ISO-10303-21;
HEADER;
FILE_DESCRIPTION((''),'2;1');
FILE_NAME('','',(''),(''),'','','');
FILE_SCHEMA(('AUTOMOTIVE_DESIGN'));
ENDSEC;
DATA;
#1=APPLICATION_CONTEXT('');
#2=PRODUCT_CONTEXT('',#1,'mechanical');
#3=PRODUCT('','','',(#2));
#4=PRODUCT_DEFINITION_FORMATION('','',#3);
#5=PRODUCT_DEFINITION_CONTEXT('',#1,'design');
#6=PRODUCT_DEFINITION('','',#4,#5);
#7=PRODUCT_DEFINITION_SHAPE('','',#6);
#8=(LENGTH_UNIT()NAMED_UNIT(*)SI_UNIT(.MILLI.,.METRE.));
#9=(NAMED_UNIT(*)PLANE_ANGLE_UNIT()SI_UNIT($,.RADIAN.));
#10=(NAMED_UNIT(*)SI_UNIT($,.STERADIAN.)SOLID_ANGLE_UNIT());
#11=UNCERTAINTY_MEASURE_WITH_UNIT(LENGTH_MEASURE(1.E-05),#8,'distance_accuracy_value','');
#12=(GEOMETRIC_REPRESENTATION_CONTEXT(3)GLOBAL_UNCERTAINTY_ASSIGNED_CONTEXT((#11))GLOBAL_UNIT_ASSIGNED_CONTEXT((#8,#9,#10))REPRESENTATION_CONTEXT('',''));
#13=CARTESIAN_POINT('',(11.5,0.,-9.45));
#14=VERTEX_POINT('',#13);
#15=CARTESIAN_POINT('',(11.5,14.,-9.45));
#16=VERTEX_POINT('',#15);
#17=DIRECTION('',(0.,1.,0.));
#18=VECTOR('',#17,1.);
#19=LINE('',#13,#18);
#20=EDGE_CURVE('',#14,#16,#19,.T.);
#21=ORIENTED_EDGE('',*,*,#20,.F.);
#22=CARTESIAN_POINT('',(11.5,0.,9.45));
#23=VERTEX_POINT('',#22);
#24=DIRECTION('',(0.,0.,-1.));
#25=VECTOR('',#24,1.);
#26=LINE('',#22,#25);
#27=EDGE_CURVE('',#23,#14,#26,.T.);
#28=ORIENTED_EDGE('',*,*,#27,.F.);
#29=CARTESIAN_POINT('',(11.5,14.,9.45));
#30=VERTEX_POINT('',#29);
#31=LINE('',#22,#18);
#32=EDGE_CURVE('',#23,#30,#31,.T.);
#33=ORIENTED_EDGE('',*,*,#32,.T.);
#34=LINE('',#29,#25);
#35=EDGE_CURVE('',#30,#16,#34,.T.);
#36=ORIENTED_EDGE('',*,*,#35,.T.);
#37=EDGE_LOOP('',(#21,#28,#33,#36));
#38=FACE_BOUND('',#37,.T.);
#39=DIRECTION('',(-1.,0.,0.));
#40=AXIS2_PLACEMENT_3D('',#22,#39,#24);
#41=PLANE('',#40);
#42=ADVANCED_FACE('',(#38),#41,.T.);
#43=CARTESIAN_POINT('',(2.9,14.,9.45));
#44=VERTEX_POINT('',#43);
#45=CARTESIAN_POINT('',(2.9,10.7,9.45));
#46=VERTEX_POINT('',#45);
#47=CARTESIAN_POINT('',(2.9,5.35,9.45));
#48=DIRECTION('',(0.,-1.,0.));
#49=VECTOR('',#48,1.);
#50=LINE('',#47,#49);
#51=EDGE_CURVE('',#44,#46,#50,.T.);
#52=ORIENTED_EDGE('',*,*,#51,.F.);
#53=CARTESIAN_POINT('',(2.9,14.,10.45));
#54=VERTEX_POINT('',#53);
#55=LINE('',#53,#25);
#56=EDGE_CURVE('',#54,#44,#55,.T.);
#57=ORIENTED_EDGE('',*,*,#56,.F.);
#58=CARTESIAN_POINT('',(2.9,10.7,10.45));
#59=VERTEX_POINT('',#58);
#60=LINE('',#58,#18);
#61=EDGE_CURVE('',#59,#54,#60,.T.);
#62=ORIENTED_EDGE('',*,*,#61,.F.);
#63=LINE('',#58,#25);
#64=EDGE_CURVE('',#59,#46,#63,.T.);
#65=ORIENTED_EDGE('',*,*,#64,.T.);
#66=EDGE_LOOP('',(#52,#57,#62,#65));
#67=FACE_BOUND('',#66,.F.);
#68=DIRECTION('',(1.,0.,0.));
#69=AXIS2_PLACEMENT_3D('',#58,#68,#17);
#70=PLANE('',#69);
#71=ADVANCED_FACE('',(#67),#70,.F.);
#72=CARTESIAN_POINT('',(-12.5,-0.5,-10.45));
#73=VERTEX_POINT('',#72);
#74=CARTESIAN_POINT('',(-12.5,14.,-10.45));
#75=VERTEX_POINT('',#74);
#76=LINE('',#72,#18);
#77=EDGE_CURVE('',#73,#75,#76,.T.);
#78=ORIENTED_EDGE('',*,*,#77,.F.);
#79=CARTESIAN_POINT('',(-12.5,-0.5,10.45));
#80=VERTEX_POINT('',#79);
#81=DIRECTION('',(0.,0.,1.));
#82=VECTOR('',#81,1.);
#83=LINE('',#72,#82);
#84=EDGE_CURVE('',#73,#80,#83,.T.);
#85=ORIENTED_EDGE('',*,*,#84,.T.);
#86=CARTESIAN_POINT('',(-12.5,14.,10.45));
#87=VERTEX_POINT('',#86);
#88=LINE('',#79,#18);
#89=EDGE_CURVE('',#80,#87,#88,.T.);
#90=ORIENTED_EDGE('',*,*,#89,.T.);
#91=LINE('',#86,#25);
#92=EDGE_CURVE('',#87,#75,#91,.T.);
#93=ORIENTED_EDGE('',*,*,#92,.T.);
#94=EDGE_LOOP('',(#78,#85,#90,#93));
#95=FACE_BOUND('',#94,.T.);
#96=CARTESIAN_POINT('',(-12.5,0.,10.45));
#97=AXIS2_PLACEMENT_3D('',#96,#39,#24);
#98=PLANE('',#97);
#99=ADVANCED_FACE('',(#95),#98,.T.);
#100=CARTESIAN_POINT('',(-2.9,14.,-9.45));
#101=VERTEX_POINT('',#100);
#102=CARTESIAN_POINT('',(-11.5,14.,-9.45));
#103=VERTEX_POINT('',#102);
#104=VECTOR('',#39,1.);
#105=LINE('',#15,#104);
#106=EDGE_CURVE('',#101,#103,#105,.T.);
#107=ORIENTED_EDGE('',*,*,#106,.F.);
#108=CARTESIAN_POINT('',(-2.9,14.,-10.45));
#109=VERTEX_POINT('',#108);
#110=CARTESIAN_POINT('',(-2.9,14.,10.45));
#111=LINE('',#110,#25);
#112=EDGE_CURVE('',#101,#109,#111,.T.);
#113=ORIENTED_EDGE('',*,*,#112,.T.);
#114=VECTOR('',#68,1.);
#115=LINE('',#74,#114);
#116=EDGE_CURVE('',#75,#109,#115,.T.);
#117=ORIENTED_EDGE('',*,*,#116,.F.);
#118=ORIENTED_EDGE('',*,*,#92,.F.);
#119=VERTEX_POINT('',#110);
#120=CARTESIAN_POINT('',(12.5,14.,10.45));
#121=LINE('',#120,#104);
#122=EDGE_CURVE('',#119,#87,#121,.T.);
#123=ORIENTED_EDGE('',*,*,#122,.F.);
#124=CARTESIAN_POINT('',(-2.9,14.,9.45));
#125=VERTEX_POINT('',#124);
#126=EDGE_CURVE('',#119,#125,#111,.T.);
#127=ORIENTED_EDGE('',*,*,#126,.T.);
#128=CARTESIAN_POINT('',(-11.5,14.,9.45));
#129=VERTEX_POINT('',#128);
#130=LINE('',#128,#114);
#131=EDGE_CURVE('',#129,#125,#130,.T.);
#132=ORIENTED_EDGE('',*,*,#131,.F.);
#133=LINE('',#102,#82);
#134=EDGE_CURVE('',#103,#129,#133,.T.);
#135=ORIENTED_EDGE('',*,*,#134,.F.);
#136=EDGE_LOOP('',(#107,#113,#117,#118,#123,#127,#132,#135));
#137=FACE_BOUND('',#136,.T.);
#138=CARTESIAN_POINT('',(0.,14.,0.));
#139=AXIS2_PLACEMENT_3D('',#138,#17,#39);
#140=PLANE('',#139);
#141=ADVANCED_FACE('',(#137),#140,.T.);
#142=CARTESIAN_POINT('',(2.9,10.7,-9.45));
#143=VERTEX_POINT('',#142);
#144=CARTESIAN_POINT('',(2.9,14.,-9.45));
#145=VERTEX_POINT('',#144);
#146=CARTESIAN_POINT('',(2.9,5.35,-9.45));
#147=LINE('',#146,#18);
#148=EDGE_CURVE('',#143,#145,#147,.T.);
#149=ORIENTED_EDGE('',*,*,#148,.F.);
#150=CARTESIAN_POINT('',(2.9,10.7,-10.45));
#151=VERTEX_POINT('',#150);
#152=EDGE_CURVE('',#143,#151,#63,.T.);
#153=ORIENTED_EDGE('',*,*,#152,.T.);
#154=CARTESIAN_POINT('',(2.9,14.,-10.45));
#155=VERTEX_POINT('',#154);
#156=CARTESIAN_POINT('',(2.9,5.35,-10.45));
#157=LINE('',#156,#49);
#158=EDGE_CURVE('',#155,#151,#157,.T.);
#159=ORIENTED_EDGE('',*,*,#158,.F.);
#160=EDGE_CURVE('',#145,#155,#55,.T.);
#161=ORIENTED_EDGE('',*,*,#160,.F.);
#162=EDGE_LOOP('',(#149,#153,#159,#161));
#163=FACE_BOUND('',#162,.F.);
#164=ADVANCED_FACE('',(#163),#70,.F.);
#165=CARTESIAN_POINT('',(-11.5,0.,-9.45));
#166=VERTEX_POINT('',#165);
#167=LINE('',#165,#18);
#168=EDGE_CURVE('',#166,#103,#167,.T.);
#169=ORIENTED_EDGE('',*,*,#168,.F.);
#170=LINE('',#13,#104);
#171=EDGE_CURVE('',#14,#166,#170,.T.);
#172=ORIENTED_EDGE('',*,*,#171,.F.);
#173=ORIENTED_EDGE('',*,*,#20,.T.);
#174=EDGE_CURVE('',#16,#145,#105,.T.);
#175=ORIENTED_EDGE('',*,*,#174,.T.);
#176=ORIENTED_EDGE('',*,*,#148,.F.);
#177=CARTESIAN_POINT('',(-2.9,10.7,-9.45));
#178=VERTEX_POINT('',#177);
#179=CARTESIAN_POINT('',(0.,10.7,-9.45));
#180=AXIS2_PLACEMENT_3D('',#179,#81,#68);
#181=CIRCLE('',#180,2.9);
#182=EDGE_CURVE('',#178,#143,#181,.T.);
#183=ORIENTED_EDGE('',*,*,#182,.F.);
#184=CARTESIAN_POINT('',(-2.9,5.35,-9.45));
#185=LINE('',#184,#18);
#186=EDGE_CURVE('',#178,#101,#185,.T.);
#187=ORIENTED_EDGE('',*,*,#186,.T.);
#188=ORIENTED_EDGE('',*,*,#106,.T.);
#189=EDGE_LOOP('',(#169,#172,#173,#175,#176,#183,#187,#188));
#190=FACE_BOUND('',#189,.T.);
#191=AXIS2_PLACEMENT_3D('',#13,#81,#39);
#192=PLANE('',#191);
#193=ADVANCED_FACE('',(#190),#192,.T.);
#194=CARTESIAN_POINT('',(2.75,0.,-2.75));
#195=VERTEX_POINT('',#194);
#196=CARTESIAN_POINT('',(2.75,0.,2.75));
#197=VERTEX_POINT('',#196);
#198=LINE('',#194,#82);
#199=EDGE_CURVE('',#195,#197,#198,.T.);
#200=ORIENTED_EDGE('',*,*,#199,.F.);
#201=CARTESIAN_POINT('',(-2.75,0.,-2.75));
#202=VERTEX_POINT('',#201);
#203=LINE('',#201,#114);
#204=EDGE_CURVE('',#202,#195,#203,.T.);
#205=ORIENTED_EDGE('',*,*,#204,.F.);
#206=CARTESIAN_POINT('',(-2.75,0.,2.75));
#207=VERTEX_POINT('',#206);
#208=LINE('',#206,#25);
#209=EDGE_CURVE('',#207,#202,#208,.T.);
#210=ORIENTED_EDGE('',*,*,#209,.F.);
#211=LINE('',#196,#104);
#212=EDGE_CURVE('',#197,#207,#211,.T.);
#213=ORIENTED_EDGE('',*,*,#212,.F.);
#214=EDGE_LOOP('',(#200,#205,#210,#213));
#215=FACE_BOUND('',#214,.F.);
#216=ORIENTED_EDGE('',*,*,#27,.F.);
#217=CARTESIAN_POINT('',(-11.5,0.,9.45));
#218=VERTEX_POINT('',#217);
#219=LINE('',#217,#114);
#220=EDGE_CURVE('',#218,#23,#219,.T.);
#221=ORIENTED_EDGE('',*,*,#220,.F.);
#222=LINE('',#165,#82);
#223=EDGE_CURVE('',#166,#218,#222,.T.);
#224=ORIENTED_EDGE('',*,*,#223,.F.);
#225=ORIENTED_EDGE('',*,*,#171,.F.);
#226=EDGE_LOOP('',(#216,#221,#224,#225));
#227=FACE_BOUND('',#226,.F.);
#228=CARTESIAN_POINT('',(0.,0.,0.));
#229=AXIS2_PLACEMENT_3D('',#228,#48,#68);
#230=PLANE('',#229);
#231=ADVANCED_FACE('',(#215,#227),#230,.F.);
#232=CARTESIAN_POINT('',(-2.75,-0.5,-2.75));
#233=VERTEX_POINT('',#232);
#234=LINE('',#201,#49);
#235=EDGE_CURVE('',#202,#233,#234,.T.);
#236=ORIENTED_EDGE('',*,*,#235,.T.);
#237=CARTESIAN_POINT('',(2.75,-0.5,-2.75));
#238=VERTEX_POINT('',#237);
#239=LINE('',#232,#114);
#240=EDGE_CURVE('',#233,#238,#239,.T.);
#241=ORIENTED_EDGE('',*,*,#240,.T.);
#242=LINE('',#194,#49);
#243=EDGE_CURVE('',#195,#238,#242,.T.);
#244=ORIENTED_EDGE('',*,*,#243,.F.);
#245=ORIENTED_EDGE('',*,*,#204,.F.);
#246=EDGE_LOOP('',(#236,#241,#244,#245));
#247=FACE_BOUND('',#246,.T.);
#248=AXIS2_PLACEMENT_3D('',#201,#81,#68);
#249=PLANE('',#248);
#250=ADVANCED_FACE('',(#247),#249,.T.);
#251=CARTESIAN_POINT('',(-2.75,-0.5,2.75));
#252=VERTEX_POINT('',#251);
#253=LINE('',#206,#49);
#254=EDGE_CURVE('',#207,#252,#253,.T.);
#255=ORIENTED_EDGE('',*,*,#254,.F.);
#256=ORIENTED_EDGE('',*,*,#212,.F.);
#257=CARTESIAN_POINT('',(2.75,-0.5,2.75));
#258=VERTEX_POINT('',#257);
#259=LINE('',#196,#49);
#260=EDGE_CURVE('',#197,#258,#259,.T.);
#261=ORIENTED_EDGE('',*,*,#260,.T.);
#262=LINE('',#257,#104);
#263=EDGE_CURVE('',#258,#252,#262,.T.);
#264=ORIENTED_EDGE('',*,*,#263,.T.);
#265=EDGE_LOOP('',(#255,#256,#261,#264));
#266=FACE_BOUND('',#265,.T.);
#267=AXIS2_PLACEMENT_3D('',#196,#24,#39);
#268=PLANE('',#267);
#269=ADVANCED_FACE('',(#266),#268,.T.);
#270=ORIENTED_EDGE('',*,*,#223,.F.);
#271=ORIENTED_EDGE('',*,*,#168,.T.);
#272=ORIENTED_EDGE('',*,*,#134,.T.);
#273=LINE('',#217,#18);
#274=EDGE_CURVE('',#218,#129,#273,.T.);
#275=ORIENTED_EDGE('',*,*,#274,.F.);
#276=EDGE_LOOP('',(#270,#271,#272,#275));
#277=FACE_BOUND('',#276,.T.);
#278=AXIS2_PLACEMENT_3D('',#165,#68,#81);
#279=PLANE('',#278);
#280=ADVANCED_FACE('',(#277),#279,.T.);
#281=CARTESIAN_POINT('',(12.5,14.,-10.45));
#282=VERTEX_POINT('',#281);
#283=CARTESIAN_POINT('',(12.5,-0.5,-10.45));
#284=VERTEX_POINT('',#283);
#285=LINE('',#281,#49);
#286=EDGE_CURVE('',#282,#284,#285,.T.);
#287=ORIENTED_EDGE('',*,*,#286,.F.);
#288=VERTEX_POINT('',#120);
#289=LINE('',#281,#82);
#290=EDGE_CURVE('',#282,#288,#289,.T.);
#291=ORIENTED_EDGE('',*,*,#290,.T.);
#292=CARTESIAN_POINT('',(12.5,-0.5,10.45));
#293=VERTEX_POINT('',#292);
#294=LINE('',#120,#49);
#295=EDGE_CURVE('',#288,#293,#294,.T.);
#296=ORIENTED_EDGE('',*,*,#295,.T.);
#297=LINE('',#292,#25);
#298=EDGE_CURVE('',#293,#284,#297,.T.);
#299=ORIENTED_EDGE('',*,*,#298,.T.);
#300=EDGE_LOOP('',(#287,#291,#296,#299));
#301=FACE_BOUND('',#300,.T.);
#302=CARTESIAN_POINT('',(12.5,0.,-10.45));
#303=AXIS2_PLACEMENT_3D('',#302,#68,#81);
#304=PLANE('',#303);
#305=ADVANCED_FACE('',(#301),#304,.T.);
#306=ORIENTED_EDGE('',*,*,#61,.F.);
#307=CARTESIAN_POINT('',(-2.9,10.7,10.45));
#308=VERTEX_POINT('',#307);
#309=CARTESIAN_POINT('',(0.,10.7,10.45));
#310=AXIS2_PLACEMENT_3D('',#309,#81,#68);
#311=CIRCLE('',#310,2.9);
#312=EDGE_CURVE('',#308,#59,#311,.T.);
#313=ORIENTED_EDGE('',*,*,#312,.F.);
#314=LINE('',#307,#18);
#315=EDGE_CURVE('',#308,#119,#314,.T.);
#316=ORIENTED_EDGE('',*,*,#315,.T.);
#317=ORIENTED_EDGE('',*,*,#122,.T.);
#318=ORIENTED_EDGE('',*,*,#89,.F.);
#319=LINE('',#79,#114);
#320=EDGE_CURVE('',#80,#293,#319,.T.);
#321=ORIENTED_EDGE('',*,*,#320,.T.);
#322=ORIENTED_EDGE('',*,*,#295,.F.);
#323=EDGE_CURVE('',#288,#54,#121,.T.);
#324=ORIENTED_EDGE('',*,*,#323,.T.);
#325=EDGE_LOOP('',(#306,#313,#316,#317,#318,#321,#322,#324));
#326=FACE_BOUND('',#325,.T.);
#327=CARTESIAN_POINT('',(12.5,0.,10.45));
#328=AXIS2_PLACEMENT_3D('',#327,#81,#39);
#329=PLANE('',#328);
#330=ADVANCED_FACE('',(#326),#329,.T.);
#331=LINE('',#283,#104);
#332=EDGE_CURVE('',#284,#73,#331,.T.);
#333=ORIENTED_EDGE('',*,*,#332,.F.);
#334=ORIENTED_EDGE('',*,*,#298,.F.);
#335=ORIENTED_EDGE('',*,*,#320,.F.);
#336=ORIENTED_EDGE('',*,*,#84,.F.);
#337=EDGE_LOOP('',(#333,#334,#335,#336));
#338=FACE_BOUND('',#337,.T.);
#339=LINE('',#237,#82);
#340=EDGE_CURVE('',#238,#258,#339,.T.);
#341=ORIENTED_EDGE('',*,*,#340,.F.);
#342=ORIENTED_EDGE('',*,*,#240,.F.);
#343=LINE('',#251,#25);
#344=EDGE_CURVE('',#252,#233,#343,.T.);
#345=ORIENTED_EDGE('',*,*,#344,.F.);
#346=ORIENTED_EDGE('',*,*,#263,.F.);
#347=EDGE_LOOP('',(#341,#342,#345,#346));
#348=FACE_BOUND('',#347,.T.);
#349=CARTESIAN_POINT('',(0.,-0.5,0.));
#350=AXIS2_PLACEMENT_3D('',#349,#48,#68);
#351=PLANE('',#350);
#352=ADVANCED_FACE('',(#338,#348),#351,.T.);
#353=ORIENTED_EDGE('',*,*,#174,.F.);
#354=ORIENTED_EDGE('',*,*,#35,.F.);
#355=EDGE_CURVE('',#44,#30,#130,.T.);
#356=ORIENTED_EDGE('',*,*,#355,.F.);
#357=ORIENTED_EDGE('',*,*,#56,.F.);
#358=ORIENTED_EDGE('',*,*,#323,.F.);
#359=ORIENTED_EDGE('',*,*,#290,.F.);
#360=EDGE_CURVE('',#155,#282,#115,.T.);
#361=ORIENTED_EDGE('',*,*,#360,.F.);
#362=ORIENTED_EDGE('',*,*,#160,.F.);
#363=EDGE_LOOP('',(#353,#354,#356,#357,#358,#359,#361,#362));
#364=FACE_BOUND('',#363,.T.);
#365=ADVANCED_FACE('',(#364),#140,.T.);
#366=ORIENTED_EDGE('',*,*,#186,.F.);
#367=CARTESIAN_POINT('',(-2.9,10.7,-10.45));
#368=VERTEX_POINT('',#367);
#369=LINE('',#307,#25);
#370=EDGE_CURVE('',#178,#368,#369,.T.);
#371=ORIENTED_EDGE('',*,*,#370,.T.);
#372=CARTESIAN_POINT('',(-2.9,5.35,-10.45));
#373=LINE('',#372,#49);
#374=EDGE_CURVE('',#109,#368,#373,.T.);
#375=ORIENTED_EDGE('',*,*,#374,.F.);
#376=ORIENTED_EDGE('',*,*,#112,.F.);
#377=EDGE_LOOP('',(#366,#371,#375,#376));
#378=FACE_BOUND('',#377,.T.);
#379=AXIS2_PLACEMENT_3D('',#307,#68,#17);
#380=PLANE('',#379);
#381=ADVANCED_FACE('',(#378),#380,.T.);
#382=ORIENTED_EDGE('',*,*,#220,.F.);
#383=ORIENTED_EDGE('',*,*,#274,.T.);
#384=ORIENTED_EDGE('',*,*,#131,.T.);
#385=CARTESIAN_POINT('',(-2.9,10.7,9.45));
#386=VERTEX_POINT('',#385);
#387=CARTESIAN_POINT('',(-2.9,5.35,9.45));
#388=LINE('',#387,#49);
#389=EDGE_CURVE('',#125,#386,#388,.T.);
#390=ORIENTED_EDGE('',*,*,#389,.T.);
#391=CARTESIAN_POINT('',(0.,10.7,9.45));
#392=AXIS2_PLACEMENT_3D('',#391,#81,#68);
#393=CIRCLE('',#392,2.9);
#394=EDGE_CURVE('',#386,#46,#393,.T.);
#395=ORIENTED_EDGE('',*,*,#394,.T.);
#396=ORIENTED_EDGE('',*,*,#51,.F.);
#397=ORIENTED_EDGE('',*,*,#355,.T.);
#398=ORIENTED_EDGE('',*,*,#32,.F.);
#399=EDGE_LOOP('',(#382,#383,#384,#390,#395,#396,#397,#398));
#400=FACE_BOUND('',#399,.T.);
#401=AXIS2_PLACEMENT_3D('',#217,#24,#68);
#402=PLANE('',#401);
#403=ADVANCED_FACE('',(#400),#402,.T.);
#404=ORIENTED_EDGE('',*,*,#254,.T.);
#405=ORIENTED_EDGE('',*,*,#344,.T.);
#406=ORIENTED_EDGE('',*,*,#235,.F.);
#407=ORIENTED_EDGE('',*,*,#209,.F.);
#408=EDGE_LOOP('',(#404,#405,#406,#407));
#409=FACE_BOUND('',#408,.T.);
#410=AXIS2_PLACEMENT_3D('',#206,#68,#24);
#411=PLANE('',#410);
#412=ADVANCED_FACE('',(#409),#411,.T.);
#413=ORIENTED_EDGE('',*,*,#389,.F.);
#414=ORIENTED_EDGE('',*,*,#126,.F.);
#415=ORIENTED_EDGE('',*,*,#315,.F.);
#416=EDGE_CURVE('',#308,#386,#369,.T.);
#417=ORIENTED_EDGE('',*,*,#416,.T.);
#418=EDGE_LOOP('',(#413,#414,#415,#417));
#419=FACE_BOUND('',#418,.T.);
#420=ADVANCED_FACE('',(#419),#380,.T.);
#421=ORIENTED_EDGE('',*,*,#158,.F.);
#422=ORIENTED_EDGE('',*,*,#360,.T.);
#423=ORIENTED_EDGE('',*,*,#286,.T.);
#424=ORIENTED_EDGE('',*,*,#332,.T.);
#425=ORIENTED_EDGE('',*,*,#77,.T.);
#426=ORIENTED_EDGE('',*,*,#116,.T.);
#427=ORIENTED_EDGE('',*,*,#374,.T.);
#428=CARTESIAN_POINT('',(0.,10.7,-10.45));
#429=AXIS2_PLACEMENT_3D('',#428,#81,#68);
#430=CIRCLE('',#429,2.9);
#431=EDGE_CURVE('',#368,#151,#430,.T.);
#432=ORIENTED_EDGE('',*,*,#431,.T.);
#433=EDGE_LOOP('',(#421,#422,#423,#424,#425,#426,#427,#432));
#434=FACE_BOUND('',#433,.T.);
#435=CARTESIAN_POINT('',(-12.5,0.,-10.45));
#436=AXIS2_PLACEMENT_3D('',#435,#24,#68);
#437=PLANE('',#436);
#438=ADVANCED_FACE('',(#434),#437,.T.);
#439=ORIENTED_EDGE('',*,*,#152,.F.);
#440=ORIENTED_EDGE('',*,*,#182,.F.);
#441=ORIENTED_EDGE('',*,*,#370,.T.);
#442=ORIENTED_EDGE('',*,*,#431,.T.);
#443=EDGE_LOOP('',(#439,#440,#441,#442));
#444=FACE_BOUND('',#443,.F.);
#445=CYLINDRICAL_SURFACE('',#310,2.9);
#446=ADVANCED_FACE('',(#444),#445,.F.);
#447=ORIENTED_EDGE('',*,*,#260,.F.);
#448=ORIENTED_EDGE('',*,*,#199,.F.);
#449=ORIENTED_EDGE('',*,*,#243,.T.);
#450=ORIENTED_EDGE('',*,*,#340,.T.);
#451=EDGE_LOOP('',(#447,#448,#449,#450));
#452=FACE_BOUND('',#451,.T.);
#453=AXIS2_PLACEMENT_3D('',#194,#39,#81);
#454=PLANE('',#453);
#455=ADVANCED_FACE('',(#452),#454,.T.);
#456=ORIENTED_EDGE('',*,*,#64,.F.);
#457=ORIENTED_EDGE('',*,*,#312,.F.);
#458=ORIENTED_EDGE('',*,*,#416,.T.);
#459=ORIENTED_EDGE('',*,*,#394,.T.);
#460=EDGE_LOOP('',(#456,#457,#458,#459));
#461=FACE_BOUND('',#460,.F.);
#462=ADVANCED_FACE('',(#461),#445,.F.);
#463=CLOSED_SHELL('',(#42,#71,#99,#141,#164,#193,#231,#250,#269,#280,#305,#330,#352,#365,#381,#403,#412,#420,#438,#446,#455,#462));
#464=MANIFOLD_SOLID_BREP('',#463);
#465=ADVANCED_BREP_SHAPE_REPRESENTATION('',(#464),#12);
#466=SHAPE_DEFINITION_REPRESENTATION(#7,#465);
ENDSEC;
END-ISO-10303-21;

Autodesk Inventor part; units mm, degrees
ref_plane "YZ Plane" through (0, 0, 0) normal (1, 0, 0) x (0, 1, 0)
ref_plane "XZ Plane" through (0, 0, 0) normal (0, 1, 0) x (-1, 0, 0)
ref_plane "XY Plane" through (0, 0, 0) normal (0, 0, 1) x (1, 0, 0)
sketch "Sketch1" plane through (0, 0, 0) normal (0, 1, 0) x (-1, 0, 0)
  line L0 (-11.5, -9.45) -> (11.5, -9.45)
  line L1 (11.5, -9.45) -> (11.5, 9.45)
  line L2 (11.5, 9.45) -> (-11.5, 9.45)
  line L3 (-11.5, 9.45) -> (-11.5, -9.45)
  line L4 (12.5, -10.45) -> (-12.5, -10.45)
  line L5 (-12.5, -10.45) -> (-12.5, 10.45)
  line L6 (-12.5, 10.45) -> (12.5, 10.45)
  line L7 (12.5, 10.45) -> (12.5, -10.45)
  point P0 (0, 0)
  dimension "d0" = 23
  dimension "d4" = 9.45
  dimension "d6" = 11.5
  dimension "d21" = 18.9
  dimension "d22" = 20.9
  dimension "d23" = 10.45
  dimension "d24" = 25
  dimension "d25" = 12.5
extrude "Extrusion1" add sketch "Sketch1" along normal blind 14
sketch "Sketch2" plane through (0, 0, 0) normal (0, -1, 0) x (1, 0, 0)
  line L0 (2.75, 2.75) -> (-2.75, 2.75)
  line L1 (-2.75, 2.75) -> (-2.75, -2.75)
  line L2 (-2.75, -2.75) -> (2.75, -2.75)
  line L3 (2.75, -2.75) -> (2.75, 2.75)
  line L4 (-12.5, -10.45) -> (-12.5, 10.45) projected
  line L5 (-12.5, 10.45) -> (12.5, 10.45) projected
  line L6 (-12.5, -10.45) -> (-12.5, 10.45) projected
  line L7 (12.5, -10.45) -> (-12.5, -10.45) projected
  line L8 (-12.5, 10.45) -> (12.5, 10.45)
  line L9 (12.5, 10.45) -> (12.5, -10.45)
  line L10 (12.5, -10.45) -> (-12.5, -10.45)
  line L11 (-12.5, -10.45) -> (-12.5, 10.45)
  point P0 (0, 0)
  dimension "d10" = 5.5
  dimension "d11" = 5.5
  dimension "d26" = 2.75
  dimension "d27" = 2.75
extrude "Extrusion2" add sketch "Sketch2" along normal blind 0.5
sketch "Sketch4" plane through (-12.5, 14, 10.45) normal (0, 0, 1) x (1, 0, 0)
  line L0 (25, -14.5) -> (0, -14.5) projected
  line L1 (12.5, -14.5) -> (12.5, -3.3) construction
  line L2 (0, 0) -> (0, -14.5) projected
  circle A0 centre (12.5, -3.3) radius 2.9
  line L3 (0, 0) -> (25, 0) projected
  line L4 (12.5, -3.3) -> (15.4, -3.3) construction
  line L5 (12.5, -3.3) -> (9.6, -3.3) construction
  line L6 (15.4, -3.3) -> (15.4, 0)
  line L7 (9.6, -3.3) -> (9.6, 0)
  point P0 (12.5, -14)
  dimension "d28" = 12.5
  dimension "d29" = 11.2
  dimension "d30" = 5.8
extrude "Extrusion4" cut sketch "Sketch4" against normal through all
equation "\"d4\" = 0.5 * d1"
equation "\"d6\" = 0.5 * d0"
equation "\"d23\" = 0.5 * d22"
equation "\"d25\" = 0.5 * d24"
equation "\"d11\" = d10"
equation "\"d26\" = 0.5 * d10"
equation "\"d27\" = 0.5 * d11"
equation "\"d1\" = 18.9"
properties part number "motor_holder#1"
